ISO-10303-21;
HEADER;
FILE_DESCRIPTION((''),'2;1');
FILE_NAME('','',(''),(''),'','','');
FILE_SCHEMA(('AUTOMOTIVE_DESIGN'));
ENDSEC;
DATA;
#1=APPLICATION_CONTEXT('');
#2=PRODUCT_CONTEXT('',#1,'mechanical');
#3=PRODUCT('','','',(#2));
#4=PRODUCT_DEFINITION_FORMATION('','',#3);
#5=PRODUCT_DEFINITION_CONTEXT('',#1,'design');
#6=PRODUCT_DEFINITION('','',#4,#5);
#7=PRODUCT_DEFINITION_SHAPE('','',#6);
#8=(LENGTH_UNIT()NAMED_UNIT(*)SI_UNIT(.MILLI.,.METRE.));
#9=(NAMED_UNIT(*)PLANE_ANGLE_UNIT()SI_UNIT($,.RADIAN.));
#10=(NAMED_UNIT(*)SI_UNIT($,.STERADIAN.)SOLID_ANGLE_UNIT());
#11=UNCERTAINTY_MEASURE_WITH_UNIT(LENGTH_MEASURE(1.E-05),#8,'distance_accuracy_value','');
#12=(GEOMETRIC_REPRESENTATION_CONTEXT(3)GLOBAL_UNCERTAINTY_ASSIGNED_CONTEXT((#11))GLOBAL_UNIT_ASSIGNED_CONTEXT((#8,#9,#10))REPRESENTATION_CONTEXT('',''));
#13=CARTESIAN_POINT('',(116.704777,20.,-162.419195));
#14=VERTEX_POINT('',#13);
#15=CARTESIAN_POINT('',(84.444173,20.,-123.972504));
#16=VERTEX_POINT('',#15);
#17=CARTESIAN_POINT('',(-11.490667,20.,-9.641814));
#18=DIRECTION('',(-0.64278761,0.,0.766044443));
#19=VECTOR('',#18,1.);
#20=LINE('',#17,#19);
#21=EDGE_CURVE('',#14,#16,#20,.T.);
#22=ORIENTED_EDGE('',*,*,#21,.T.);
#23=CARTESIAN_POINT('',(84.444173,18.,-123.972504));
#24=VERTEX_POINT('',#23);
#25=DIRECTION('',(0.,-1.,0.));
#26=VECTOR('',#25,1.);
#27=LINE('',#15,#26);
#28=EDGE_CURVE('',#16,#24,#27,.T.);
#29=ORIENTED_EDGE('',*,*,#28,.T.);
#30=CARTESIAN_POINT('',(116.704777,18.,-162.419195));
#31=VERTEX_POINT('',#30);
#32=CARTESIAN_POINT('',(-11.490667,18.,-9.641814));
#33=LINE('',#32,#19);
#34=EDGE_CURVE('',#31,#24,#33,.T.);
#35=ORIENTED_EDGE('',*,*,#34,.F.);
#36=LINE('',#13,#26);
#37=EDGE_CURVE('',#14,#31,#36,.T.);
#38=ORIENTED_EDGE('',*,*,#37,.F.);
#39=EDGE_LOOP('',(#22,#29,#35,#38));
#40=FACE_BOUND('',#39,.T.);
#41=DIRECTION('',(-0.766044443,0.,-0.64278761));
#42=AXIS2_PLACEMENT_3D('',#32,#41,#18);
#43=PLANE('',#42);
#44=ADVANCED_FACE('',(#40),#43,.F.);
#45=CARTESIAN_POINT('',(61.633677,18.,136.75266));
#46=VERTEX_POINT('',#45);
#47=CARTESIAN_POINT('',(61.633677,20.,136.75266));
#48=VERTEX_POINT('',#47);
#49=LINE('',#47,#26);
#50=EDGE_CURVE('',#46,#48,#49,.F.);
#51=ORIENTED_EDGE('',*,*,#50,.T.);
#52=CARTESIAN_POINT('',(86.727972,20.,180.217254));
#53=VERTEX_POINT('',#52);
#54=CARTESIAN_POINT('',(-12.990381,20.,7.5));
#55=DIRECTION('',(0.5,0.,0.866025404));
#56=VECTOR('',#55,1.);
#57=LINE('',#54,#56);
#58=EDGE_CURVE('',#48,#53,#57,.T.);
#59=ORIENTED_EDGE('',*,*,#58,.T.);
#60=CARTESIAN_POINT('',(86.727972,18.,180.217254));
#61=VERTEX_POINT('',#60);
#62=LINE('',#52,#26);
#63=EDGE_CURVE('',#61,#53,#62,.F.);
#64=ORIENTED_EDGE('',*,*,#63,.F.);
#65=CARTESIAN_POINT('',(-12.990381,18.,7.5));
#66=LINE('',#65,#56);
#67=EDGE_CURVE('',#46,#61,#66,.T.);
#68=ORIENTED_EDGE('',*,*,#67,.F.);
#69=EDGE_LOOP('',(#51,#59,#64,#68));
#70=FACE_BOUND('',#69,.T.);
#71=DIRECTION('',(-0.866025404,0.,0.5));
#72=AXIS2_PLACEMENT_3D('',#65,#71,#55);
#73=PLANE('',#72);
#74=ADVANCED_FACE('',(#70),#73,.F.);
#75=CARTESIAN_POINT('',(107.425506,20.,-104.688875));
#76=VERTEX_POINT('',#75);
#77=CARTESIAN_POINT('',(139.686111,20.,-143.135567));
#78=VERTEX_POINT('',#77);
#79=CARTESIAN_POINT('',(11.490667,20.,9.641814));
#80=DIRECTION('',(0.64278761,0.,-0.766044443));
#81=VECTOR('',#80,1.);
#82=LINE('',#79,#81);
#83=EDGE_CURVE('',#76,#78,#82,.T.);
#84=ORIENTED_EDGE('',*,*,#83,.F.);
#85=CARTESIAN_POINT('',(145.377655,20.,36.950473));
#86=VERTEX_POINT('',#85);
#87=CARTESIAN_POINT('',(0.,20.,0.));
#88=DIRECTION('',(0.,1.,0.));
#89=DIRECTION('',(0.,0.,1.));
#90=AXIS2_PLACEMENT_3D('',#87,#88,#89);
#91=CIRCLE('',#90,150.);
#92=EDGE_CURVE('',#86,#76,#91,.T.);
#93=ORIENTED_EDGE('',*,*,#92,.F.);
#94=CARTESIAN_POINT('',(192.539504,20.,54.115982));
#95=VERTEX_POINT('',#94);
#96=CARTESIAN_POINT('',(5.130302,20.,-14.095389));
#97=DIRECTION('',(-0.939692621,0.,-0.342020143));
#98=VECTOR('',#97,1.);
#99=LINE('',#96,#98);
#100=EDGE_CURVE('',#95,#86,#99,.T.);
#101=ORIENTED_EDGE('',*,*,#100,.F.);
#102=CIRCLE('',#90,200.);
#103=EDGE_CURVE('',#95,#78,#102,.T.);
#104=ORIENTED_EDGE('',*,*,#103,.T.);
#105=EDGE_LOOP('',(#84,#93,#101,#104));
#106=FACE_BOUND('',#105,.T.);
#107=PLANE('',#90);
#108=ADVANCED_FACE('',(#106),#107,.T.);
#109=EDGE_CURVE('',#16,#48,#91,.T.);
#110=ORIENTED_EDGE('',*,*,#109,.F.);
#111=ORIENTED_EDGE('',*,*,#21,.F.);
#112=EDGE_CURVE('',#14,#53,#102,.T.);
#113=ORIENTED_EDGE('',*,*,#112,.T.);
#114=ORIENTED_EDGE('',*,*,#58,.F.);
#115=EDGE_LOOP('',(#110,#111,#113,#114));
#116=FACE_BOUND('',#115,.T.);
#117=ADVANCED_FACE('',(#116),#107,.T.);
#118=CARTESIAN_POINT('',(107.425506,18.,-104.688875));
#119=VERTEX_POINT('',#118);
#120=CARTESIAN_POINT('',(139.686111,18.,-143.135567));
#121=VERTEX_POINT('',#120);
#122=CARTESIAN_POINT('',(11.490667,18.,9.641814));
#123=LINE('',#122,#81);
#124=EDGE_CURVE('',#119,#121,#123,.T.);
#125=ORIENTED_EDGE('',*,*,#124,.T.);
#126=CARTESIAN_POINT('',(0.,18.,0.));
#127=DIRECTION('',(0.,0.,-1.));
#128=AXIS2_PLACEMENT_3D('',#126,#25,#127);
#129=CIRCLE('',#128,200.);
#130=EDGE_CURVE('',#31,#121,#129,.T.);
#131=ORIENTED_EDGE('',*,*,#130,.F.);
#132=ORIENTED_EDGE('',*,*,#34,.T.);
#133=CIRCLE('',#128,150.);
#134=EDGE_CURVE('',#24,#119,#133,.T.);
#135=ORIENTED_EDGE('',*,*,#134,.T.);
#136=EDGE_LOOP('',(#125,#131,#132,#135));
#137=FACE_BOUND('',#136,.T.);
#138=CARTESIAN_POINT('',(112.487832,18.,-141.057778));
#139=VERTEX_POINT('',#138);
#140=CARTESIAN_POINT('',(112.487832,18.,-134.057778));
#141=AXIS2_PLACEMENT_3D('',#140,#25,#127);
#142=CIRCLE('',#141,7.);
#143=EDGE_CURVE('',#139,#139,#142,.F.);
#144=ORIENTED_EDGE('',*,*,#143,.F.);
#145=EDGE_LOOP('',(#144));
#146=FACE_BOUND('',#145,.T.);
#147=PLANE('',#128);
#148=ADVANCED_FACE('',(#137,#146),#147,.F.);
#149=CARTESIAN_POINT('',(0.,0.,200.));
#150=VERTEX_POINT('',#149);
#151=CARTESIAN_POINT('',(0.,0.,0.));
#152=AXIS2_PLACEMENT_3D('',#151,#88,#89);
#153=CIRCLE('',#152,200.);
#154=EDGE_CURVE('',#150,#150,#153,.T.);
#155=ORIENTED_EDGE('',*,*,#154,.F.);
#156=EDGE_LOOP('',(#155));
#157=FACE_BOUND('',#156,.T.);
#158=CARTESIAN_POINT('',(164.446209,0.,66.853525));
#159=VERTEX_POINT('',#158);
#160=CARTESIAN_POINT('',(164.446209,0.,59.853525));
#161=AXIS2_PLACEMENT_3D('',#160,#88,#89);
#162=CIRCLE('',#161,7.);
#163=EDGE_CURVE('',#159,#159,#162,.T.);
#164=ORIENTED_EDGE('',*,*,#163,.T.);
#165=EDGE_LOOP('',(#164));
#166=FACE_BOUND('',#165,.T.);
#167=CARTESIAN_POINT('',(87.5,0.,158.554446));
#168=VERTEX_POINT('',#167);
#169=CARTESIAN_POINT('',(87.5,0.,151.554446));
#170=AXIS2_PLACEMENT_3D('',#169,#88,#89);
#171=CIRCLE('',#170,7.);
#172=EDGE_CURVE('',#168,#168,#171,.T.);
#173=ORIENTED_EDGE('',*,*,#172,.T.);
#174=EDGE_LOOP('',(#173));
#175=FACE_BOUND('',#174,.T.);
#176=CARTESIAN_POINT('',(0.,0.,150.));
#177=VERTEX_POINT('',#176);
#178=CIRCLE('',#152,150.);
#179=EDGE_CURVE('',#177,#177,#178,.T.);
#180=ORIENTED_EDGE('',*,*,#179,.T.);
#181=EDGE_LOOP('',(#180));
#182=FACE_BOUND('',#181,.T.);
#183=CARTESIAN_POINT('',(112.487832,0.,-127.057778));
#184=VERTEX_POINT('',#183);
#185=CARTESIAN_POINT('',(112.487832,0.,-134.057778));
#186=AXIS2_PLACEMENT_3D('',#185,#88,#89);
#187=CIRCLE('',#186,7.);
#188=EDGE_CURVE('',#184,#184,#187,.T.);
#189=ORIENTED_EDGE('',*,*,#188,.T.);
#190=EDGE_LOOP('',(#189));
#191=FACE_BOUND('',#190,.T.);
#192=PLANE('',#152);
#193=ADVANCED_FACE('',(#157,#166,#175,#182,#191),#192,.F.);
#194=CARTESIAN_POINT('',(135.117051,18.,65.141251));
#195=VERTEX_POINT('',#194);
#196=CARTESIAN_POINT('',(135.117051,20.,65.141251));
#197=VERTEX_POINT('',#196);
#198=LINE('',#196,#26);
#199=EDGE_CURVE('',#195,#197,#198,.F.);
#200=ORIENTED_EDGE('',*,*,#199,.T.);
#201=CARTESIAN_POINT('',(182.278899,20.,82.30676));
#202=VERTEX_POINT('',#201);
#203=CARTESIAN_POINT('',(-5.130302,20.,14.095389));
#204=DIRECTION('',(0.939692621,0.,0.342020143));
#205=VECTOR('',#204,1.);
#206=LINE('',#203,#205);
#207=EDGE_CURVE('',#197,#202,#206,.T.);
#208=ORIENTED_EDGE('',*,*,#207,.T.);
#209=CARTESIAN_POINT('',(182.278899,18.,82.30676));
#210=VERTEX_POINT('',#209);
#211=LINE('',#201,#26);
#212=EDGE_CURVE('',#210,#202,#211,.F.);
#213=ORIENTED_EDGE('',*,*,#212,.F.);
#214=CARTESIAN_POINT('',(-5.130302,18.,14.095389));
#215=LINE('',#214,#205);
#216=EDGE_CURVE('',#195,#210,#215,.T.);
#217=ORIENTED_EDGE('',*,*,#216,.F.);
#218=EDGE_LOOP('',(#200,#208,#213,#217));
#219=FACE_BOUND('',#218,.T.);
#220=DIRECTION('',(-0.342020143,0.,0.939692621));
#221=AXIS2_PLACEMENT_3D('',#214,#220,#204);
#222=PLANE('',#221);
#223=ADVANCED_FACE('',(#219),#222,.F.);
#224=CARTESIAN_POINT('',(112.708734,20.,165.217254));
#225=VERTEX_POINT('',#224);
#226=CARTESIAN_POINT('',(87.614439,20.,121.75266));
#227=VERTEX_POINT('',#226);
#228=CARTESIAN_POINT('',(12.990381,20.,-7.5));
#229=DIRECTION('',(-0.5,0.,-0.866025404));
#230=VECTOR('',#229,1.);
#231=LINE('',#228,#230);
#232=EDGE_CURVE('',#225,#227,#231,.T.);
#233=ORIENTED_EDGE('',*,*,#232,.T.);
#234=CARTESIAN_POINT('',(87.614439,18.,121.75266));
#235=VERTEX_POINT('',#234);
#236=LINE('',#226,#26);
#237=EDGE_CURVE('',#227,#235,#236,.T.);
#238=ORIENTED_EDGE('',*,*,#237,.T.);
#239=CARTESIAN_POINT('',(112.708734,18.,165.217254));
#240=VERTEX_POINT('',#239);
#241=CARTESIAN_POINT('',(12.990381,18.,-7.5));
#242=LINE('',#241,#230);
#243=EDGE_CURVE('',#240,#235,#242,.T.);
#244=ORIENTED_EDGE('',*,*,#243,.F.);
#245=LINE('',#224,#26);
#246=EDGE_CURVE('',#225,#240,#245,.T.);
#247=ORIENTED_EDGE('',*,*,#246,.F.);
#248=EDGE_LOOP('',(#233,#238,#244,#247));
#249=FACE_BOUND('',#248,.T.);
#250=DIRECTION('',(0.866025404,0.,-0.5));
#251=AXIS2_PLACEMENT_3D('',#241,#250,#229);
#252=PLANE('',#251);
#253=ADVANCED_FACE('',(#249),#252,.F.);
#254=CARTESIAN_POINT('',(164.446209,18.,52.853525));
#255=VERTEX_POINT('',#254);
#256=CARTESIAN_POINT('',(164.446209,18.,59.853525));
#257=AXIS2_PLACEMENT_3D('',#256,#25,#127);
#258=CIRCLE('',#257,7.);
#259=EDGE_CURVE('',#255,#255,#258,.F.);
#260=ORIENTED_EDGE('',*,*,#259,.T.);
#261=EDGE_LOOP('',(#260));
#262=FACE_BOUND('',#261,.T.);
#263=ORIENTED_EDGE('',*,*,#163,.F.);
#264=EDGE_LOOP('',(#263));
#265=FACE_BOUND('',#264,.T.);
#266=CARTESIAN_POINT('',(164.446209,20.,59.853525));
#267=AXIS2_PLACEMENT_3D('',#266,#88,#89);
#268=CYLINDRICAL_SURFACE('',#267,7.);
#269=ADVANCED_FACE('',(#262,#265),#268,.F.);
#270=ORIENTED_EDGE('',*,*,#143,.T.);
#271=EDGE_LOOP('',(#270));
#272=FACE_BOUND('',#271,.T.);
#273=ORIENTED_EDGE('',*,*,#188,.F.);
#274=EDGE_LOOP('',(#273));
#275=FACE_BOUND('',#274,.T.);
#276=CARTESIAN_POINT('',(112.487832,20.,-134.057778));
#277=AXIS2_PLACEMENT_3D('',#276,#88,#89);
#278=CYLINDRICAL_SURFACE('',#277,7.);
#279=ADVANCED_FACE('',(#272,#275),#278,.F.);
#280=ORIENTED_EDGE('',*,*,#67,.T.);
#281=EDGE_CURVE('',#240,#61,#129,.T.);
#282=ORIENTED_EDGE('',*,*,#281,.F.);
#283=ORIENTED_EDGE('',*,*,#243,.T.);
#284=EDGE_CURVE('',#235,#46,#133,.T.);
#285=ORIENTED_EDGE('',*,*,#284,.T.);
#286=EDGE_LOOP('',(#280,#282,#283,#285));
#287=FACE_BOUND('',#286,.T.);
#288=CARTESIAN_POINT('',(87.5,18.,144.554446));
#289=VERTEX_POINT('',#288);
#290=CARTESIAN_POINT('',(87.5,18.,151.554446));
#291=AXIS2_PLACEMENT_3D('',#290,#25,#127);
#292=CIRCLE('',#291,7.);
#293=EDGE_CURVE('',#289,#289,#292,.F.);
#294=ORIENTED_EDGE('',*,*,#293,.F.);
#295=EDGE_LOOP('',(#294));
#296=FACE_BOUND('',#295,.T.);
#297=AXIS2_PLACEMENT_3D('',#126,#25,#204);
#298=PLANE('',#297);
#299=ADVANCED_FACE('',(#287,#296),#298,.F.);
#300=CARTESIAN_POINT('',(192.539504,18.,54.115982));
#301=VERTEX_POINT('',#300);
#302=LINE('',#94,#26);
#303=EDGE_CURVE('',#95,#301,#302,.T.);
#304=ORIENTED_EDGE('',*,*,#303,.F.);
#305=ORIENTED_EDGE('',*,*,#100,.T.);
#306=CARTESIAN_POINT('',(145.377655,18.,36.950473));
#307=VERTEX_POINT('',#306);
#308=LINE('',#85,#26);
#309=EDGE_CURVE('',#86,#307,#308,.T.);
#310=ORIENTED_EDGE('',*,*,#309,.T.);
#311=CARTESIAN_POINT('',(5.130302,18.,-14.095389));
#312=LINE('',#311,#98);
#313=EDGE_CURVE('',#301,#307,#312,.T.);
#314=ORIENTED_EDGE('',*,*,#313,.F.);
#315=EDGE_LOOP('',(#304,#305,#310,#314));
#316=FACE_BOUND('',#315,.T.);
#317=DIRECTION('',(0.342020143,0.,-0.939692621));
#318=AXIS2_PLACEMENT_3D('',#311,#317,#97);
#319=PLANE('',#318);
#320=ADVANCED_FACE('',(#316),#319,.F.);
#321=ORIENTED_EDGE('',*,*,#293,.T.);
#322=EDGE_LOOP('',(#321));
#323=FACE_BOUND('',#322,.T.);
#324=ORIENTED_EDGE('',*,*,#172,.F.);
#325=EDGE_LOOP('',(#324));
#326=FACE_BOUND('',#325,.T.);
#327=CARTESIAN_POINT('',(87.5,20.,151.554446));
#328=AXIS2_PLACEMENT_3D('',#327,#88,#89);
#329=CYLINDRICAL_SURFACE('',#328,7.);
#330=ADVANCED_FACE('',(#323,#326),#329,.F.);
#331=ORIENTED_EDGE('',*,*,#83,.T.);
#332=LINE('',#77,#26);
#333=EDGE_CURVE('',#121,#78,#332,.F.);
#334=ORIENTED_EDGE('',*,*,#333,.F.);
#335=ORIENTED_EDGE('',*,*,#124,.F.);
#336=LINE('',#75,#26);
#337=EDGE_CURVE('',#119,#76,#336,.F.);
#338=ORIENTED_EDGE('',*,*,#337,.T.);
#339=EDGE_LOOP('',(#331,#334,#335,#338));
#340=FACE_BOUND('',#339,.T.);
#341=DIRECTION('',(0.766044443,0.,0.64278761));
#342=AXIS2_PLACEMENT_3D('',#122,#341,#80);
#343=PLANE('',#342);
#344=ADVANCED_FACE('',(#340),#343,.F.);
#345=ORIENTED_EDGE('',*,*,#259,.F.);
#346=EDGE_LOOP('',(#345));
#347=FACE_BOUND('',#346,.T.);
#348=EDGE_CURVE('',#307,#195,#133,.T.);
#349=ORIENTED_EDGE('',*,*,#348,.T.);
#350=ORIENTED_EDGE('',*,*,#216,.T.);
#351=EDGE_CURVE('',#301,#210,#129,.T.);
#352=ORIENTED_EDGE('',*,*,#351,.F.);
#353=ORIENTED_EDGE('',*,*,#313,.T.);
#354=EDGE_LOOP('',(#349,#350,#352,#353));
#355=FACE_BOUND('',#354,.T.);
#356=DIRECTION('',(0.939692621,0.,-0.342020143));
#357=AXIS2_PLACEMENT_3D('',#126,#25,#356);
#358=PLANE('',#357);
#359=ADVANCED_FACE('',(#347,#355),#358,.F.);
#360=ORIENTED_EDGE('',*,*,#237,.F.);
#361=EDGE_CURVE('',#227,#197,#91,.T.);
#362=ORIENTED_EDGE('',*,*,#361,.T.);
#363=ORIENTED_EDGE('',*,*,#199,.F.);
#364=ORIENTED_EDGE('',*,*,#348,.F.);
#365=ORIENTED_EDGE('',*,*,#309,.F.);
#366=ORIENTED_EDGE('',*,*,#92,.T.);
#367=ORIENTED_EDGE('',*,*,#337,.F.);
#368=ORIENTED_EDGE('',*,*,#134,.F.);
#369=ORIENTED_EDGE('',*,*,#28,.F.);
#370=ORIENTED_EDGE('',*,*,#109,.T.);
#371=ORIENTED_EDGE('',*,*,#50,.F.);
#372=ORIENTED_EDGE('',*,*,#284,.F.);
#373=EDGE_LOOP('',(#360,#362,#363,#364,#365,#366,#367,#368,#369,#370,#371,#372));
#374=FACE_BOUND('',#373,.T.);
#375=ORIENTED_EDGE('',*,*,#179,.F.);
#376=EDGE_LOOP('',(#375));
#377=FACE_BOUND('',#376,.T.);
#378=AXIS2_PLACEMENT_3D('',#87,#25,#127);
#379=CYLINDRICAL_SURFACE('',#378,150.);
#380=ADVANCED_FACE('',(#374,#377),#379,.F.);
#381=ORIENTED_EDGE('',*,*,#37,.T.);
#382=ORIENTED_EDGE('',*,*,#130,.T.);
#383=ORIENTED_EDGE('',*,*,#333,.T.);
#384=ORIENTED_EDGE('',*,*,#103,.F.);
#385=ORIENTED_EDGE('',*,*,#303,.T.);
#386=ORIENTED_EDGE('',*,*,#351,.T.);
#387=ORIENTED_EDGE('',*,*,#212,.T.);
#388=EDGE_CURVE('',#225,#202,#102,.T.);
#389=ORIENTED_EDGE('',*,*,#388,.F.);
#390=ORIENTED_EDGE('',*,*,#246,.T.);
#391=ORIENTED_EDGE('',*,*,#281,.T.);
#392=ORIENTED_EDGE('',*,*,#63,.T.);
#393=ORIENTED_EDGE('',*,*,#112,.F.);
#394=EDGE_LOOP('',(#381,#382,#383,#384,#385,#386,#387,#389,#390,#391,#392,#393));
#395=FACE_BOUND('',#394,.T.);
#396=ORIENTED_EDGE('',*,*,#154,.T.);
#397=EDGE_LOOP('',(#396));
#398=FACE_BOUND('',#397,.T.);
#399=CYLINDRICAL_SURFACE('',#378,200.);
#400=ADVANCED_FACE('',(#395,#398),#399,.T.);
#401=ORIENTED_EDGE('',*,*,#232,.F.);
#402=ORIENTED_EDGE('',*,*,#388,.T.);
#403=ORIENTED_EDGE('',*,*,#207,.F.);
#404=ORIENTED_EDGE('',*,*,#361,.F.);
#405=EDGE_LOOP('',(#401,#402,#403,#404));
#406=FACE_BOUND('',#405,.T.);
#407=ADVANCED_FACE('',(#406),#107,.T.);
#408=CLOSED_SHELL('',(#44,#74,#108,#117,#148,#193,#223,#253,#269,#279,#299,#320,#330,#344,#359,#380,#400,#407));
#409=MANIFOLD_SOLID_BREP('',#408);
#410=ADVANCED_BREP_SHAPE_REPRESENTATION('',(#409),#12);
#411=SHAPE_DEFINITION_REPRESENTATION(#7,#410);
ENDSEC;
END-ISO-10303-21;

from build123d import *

# Parameters (mm, degrees)
ESQUISSE1_R                  = 200
ESQUISSE1_R_2                = 150
BOSS_EXTRU_1_DEPTH           = 20
TROU_TARAUD_M161_D           = 14
ENL_V_MAT_EXTRU_3_DEPTH      = 2
R_P_TITION_CIRCULAIRE1_COUNT = 2
R_P_TITION_CIRCULAIRE1_ANGLE = 70
R_P_TITION_CIRCULAIRE2_COUNT = 2
R_P_TITION_CIRCULAIRE2_ANGLE = 110


with BuildPart() as part:
    # Esquisse1 → Boss.-Extru.1 (new body)
    with BuildSketch(Plane(origin=(0, 0, 0), x_dir=(1, 0, 0), z_dir=(0, 1, 0))):
        with Locations(Location((0, 0, 0), (0, 0, 270))):  # turned: the seam where the file's is
            Circle(ESQUISSE1_R)
        with Locations(Location((0, 0, 0), (0, 0, 270))):  # turned: the seam where the file's is
            Circle(ESQUISSE1_R_2, mode=Mode.SUBTRACT)
    extrude(amount=BOSS_EXTRU_1_DEPTH)

    # Trou taraud_ M161 (through all)
    with Locations(Plane(origin=(0, 20, 0), x_dir=(1, 0, 0), z_dir=(0, 1, 0))):
        with Locations((112.487831695, 134.057777546)):
            trou_taraud_m161 = Hole(TROU_TARAUD_M161_D / 2)

    # Esquisse4 → Enl_v. mat.-Extru.3 (cut)
    with BuildSketch(Plane(origin=(0, 20, 0), x_dir=(1, 0, 0), z_dir=(0, 1, 0))):
        Polygon((-11.490666647, 9.641814145), (11.490666647, -9.641814145), (140.048188584, 143.567074478), (117.066855291, 162.850702769), align=None)
    enl_v_mat_extru_3 = extrude(amount=-ENL_V_MAT_EXTRU_3_DEPTH, mode=Mode.SUBTRACT)

    # R_p_tition circulaire1: Trou taraud_ M161, Enl_v. mat.-Extru.3 ×2 about axis
    r_p_tition_circulaire1_axis = Axis((0, 0, 0), (0, -1, 0))
    add([trou_taraud_m161.rotate(r_p_tition_circulaire1_axis, i * R_P_TITION_CIRCULAIRE1_ANGLE / (R_P_TITION_CIRCULAIRE1_COUNT - 1)) for i in range(1, R_P_TITION_CIRCULAIRE1_COUNT)], mode=Mode.SUBTRACT)
    add([enl_v_mat_extru_3.rotate(r_p_tition_circulaire1_axis, i * R_P_TITION_CIRCULAIRE1_ANGLE / (R_P_TITION_CIRCULAIRE1_COUNT - 1)) for i in range(1, R_P_TITION_CIRCULAIRE1_COUNT)], mode=Mode.SUBTRACT)

    # R_p_tition circulaire2: Trou taraud_ M161, Enl_v. mat.-Extru.3 ×2 about axis
    r_p_tition_circulaire2_axis = Axis((0, 0, 0), (0, -1, 0))
    add([trou_taraud_m161.rotate(r_p_tition_circulaire2_axis, i * R_P_TITION_CIRCULAIRE2_ANGLE / (R_P_TITION_CIRCULAIRE2_COUNT - 1)) for i in range(1, R_P_TITION_CIRCULAIRE2_COUNT)], mode=Mode.SUBTRACT)
    add([enl_v_mat_extru_3.rotate(r_p_tition_circulaire2_axis, i * R_P_TITION_CIRCULAIRE2_ANGLE / (R_P_TITION_CIRCULAIRE2_COUNT - 1)) for i in range(1, R_P_TITION_CIRCULAIRE2_COUNT)], mode=Mode.SUBTRACT)


solid = part.part
